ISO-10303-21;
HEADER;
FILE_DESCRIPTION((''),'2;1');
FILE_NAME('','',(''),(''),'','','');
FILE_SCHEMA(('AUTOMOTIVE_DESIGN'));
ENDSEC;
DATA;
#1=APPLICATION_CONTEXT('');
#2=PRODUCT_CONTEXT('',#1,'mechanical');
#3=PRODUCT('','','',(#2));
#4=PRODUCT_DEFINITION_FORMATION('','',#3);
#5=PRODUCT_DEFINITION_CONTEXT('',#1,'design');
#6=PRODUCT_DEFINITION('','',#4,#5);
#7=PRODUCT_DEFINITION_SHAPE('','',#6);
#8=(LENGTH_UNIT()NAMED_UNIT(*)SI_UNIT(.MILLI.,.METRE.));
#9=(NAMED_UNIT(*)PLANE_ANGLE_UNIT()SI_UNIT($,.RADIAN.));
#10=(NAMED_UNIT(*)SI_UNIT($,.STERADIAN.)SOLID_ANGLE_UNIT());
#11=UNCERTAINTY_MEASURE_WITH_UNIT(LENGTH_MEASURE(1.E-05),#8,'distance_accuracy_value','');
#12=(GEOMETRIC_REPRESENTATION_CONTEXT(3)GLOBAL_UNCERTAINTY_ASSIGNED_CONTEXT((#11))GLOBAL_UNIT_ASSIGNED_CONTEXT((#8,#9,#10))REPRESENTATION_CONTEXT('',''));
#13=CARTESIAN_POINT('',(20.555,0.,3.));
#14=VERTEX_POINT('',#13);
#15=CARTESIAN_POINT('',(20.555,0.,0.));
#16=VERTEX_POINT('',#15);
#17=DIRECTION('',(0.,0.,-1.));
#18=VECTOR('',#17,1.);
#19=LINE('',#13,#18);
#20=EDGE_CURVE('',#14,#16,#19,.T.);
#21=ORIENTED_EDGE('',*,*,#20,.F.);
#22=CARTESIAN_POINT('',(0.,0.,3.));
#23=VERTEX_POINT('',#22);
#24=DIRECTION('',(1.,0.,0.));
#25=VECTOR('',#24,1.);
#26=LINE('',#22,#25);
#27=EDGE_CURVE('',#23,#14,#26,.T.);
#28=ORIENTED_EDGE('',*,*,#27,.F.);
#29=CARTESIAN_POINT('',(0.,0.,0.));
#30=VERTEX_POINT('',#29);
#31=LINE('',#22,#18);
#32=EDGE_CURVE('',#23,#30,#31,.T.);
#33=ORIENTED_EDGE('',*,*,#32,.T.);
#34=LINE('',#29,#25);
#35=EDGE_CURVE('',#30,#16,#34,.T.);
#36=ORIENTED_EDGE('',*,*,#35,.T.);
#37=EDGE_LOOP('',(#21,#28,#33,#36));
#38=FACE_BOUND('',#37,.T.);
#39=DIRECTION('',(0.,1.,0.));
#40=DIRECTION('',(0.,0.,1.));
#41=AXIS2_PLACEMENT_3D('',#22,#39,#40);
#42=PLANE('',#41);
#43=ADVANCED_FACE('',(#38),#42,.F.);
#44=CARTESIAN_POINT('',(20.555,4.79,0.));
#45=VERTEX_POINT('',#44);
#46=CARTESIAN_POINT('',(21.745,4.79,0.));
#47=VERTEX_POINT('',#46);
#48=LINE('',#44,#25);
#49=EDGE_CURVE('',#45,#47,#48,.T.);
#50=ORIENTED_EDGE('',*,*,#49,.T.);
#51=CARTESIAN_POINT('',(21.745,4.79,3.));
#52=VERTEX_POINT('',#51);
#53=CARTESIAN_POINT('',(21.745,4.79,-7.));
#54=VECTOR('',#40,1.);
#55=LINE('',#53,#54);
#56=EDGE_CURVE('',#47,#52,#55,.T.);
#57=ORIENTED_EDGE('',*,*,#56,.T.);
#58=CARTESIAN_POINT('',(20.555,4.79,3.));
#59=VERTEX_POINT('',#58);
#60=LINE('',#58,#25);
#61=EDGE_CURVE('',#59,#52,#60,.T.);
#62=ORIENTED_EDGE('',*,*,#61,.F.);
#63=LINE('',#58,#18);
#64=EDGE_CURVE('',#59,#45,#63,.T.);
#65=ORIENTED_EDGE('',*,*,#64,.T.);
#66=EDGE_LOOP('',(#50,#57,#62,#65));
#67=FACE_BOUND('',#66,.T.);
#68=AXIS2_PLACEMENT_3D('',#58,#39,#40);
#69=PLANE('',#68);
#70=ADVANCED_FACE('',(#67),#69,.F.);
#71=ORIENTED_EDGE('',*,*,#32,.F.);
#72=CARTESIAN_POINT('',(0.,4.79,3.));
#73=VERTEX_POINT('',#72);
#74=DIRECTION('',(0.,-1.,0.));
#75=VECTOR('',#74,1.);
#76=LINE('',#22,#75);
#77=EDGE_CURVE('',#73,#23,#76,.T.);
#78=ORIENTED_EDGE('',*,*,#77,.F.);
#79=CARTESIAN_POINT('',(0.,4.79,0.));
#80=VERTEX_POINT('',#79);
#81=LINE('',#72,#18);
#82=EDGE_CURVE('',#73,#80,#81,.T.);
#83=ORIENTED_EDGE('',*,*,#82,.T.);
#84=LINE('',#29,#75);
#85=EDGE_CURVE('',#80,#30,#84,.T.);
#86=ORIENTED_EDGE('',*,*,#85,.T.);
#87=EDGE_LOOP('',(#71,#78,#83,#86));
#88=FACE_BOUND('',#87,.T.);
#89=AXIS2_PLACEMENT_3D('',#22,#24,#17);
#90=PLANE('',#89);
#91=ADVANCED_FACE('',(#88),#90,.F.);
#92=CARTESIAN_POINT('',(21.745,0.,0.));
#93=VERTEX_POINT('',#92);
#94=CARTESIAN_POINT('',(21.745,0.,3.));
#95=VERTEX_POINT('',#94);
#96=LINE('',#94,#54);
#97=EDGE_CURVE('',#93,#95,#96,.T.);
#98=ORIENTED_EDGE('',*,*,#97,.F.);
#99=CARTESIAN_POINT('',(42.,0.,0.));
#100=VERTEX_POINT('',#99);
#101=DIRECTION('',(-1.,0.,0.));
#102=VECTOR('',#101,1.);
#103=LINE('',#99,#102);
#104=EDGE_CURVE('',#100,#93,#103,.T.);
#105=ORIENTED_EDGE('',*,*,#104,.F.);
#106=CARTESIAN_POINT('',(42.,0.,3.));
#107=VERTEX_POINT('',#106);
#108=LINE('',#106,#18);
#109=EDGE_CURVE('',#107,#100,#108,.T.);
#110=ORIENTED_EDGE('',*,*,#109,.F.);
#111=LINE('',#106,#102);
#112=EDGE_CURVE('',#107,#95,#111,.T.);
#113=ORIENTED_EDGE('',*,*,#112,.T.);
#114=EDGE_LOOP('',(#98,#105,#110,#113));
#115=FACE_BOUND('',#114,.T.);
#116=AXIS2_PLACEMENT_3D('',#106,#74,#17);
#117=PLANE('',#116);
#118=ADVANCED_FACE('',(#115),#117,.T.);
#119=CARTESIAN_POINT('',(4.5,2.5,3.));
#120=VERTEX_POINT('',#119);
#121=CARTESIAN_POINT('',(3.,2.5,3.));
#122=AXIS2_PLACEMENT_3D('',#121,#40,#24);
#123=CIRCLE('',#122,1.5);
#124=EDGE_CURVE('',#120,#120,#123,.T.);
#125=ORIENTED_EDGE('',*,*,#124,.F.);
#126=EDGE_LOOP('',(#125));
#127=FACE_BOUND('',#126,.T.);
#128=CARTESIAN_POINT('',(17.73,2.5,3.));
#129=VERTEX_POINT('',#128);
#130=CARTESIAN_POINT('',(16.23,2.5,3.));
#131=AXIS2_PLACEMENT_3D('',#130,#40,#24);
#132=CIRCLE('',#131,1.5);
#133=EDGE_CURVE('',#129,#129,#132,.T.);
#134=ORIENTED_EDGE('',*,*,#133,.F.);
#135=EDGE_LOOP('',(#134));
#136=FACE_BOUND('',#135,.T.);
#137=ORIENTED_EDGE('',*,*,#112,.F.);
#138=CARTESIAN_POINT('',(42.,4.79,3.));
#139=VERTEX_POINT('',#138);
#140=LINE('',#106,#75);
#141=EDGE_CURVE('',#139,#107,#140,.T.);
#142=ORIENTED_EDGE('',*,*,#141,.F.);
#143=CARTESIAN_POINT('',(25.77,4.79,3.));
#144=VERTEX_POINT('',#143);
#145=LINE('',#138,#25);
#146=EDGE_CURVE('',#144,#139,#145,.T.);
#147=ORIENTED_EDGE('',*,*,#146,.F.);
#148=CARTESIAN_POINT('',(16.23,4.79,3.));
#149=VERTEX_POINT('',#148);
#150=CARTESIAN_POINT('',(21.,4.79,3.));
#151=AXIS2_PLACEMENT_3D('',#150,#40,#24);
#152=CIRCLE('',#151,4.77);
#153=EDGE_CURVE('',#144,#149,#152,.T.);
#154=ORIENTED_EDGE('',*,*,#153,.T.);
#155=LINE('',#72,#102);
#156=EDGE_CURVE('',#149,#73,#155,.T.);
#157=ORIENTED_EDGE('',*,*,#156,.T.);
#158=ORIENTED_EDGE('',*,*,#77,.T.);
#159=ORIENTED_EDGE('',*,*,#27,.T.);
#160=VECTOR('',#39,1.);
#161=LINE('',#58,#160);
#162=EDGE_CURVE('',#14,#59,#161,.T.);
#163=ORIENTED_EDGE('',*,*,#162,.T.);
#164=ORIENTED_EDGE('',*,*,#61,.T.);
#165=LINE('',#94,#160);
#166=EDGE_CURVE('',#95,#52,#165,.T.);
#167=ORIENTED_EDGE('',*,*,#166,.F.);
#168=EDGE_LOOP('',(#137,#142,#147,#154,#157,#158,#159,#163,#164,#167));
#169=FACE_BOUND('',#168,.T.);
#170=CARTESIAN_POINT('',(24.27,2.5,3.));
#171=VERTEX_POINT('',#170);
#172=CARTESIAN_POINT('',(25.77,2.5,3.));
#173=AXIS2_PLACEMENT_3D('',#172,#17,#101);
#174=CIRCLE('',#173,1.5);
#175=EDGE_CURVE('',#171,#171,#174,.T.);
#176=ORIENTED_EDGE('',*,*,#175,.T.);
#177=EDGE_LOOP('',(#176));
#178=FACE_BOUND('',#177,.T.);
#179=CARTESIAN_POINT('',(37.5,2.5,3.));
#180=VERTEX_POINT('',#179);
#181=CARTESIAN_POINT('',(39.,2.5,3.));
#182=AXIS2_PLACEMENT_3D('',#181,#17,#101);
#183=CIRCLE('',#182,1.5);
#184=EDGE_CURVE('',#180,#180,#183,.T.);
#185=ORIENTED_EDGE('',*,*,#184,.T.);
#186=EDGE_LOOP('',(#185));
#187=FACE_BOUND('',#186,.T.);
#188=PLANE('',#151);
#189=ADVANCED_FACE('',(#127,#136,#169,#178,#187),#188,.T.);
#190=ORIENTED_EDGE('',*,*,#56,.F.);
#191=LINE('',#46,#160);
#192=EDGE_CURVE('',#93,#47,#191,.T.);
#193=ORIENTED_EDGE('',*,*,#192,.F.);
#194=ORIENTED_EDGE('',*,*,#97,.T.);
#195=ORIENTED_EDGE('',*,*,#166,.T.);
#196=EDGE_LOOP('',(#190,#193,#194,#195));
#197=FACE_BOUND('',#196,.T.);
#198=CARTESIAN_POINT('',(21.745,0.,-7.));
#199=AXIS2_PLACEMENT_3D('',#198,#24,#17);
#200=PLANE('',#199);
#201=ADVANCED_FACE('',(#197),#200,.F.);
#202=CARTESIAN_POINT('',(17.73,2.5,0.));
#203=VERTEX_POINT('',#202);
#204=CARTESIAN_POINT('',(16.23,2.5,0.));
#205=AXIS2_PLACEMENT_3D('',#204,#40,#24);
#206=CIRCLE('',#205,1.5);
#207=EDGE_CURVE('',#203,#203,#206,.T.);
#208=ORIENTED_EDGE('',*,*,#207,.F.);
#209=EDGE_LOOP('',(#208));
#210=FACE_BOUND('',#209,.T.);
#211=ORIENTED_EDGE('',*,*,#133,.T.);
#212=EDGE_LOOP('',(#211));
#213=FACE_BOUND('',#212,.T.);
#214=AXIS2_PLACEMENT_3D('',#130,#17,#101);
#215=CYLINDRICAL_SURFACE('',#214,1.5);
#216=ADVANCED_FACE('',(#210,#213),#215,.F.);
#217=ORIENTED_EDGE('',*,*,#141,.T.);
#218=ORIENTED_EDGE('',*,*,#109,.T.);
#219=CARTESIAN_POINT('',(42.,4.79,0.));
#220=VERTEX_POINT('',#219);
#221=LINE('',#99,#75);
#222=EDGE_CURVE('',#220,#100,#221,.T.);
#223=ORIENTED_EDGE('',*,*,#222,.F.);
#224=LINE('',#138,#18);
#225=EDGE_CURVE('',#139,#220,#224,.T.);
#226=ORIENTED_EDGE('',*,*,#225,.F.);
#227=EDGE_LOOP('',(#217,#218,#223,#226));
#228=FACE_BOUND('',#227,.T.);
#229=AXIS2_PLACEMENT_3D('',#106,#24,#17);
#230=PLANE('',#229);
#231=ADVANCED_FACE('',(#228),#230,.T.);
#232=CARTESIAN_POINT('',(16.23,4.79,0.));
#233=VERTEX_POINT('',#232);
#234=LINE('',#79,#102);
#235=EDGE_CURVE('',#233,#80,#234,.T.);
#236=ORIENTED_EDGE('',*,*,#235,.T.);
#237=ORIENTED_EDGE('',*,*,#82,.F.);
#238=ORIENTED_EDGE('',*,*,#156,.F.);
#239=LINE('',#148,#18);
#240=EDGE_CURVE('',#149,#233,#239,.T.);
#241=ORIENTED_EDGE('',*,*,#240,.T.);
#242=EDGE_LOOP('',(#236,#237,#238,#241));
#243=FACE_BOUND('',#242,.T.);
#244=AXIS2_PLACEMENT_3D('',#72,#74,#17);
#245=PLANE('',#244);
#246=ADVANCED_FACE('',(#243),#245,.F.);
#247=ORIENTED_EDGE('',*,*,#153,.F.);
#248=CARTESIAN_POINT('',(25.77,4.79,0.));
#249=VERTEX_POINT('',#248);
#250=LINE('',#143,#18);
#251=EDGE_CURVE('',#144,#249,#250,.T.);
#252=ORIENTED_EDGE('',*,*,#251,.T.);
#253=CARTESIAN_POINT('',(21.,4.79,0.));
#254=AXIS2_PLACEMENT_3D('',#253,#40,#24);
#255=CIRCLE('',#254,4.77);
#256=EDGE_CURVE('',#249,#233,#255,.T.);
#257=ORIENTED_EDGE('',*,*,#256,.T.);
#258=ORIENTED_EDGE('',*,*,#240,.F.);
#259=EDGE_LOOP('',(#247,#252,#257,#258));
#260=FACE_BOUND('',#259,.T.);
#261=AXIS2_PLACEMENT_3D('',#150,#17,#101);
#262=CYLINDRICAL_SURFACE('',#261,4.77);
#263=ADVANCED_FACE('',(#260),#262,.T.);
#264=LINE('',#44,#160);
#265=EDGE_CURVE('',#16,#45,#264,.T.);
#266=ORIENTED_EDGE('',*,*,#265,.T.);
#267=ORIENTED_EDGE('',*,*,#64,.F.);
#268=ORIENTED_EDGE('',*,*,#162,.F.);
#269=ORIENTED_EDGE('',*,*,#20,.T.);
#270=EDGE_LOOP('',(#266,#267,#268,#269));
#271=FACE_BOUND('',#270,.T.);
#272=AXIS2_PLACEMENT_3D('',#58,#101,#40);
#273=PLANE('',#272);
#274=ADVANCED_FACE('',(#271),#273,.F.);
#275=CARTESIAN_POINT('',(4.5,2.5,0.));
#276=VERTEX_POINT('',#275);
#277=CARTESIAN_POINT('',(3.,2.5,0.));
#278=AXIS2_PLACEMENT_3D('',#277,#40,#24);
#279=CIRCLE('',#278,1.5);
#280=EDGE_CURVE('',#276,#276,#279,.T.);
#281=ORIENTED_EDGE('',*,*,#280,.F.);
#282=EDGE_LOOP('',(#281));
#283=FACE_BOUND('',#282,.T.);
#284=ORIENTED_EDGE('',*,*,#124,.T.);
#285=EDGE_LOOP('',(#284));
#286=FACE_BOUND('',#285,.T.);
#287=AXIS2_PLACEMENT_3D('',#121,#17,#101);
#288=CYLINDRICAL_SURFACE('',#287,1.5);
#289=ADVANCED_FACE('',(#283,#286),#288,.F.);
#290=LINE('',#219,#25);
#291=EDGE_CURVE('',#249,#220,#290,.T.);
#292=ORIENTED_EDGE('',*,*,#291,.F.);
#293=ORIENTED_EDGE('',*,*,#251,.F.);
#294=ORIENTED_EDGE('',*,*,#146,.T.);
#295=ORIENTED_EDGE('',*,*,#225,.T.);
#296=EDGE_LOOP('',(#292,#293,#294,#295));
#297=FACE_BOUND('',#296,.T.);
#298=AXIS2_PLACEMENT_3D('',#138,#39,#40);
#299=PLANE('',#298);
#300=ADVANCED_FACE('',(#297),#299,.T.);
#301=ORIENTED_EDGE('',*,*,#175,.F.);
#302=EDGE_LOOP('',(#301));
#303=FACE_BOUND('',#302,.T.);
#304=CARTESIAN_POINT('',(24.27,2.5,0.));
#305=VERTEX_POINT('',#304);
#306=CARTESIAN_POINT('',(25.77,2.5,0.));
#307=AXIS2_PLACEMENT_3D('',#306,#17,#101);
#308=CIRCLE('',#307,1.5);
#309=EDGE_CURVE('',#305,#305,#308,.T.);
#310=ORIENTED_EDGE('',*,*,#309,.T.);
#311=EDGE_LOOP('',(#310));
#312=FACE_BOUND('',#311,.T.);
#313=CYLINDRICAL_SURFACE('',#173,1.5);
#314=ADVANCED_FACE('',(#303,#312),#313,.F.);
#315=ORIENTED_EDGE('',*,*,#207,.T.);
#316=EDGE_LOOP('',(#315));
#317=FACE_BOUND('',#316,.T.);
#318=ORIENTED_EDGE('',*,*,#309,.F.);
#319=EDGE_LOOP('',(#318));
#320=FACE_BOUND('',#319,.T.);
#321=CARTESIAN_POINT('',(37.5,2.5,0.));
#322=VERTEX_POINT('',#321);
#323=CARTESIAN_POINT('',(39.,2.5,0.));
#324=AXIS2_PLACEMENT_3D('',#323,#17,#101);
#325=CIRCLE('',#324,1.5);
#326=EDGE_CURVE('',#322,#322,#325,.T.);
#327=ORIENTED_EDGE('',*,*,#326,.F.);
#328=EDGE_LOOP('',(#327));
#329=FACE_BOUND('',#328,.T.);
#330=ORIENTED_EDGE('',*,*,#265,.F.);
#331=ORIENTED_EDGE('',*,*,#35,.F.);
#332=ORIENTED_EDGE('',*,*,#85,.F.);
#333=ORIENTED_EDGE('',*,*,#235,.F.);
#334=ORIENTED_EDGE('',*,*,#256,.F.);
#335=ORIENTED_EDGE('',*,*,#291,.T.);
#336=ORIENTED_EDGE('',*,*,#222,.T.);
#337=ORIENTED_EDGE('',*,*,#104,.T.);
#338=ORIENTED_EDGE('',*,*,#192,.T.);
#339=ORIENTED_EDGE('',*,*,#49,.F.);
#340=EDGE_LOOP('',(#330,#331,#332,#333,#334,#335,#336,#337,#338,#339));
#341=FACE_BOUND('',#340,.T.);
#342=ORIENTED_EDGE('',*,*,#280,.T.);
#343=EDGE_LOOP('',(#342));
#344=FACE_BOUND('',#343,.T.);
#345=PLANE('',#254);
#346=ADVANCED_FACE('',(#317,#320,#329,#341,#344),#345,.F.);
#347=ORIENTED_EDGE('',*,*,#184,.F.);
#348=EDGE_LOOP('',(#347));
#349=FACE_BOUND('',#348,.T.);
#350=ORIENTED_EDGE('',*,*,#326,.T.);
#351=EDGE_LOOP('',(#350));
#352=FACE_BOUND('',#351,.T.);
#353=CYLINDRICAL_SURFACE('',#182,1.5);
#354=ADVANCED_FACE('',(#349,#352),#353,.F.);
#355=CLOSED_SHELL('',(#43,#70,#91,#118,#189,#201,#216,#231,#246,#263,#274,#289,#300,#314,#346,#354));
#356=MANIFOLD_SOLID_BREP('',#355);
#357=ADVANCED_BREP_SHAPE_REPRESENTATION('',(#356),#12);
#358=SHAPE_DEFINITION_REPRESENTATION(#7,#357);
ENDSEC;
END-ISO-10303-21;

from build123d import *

# Parameters (mm, degrees)
SKETCH1_R           = 1.5
BOSS_EXTRUDE1_DEPTH = 3
SKETCH2_W           = 1.19
SKETCH2_H           = 4.79
CUT_EXTRUDE1_DEPTH  = 10


with BuildPart() as part:
    # Sketch1 → Boss-Extrude1 (new body)
    with BuildSketch(Plane.XY):
        with BuildLine():
            Line((20.555, 4.79), (20.555, 0))
            Line((20.555, 0), (0, 0))
            Line((0, 0), (0, 4.79))
            Line((0, 4.79), (16.23, 4.79))
            ThreePointArc((16.23, 4.79), (17.627100654, 8.162899346), (21, 9.56))
            Line((21, 9.56), (21, 4.79))
            Line((21, 4.79), (20.555, 4.79))
        make_face()
        with Locations((3, 2.5)):
            Circle(SKETCH1_R, mode=Mode.SUBTRACT)
        with Locations((16.23, 2.5)):
            Circle(SKETCH1_R, mode=Mode.SUBTRACT)
    boss_extrude1 = extrude(amount=BOSS_EXTRUDE1_DEPTH)

    # Mirror1: Boss-Extrude1 across plane
    add(boss_extrude1.mirror(Plane(origin=(21, 9.56, 3), x_dir=(0, 0, 1), z_dir=(-1, 0, 0))))

    # Sketch2 → Cut-Extrude1 (cut)
    with BuildSketch(Plane.XY.offset(3)):
        with Locations((21.15, 2.395)):
            Rectangle(SKETCH2_W, SKETCH2_H)
    extrude(amount=-CUT_EXTRUDE1_DEPTH, mode=Mode.SUBTRACT)


solid = part.part
